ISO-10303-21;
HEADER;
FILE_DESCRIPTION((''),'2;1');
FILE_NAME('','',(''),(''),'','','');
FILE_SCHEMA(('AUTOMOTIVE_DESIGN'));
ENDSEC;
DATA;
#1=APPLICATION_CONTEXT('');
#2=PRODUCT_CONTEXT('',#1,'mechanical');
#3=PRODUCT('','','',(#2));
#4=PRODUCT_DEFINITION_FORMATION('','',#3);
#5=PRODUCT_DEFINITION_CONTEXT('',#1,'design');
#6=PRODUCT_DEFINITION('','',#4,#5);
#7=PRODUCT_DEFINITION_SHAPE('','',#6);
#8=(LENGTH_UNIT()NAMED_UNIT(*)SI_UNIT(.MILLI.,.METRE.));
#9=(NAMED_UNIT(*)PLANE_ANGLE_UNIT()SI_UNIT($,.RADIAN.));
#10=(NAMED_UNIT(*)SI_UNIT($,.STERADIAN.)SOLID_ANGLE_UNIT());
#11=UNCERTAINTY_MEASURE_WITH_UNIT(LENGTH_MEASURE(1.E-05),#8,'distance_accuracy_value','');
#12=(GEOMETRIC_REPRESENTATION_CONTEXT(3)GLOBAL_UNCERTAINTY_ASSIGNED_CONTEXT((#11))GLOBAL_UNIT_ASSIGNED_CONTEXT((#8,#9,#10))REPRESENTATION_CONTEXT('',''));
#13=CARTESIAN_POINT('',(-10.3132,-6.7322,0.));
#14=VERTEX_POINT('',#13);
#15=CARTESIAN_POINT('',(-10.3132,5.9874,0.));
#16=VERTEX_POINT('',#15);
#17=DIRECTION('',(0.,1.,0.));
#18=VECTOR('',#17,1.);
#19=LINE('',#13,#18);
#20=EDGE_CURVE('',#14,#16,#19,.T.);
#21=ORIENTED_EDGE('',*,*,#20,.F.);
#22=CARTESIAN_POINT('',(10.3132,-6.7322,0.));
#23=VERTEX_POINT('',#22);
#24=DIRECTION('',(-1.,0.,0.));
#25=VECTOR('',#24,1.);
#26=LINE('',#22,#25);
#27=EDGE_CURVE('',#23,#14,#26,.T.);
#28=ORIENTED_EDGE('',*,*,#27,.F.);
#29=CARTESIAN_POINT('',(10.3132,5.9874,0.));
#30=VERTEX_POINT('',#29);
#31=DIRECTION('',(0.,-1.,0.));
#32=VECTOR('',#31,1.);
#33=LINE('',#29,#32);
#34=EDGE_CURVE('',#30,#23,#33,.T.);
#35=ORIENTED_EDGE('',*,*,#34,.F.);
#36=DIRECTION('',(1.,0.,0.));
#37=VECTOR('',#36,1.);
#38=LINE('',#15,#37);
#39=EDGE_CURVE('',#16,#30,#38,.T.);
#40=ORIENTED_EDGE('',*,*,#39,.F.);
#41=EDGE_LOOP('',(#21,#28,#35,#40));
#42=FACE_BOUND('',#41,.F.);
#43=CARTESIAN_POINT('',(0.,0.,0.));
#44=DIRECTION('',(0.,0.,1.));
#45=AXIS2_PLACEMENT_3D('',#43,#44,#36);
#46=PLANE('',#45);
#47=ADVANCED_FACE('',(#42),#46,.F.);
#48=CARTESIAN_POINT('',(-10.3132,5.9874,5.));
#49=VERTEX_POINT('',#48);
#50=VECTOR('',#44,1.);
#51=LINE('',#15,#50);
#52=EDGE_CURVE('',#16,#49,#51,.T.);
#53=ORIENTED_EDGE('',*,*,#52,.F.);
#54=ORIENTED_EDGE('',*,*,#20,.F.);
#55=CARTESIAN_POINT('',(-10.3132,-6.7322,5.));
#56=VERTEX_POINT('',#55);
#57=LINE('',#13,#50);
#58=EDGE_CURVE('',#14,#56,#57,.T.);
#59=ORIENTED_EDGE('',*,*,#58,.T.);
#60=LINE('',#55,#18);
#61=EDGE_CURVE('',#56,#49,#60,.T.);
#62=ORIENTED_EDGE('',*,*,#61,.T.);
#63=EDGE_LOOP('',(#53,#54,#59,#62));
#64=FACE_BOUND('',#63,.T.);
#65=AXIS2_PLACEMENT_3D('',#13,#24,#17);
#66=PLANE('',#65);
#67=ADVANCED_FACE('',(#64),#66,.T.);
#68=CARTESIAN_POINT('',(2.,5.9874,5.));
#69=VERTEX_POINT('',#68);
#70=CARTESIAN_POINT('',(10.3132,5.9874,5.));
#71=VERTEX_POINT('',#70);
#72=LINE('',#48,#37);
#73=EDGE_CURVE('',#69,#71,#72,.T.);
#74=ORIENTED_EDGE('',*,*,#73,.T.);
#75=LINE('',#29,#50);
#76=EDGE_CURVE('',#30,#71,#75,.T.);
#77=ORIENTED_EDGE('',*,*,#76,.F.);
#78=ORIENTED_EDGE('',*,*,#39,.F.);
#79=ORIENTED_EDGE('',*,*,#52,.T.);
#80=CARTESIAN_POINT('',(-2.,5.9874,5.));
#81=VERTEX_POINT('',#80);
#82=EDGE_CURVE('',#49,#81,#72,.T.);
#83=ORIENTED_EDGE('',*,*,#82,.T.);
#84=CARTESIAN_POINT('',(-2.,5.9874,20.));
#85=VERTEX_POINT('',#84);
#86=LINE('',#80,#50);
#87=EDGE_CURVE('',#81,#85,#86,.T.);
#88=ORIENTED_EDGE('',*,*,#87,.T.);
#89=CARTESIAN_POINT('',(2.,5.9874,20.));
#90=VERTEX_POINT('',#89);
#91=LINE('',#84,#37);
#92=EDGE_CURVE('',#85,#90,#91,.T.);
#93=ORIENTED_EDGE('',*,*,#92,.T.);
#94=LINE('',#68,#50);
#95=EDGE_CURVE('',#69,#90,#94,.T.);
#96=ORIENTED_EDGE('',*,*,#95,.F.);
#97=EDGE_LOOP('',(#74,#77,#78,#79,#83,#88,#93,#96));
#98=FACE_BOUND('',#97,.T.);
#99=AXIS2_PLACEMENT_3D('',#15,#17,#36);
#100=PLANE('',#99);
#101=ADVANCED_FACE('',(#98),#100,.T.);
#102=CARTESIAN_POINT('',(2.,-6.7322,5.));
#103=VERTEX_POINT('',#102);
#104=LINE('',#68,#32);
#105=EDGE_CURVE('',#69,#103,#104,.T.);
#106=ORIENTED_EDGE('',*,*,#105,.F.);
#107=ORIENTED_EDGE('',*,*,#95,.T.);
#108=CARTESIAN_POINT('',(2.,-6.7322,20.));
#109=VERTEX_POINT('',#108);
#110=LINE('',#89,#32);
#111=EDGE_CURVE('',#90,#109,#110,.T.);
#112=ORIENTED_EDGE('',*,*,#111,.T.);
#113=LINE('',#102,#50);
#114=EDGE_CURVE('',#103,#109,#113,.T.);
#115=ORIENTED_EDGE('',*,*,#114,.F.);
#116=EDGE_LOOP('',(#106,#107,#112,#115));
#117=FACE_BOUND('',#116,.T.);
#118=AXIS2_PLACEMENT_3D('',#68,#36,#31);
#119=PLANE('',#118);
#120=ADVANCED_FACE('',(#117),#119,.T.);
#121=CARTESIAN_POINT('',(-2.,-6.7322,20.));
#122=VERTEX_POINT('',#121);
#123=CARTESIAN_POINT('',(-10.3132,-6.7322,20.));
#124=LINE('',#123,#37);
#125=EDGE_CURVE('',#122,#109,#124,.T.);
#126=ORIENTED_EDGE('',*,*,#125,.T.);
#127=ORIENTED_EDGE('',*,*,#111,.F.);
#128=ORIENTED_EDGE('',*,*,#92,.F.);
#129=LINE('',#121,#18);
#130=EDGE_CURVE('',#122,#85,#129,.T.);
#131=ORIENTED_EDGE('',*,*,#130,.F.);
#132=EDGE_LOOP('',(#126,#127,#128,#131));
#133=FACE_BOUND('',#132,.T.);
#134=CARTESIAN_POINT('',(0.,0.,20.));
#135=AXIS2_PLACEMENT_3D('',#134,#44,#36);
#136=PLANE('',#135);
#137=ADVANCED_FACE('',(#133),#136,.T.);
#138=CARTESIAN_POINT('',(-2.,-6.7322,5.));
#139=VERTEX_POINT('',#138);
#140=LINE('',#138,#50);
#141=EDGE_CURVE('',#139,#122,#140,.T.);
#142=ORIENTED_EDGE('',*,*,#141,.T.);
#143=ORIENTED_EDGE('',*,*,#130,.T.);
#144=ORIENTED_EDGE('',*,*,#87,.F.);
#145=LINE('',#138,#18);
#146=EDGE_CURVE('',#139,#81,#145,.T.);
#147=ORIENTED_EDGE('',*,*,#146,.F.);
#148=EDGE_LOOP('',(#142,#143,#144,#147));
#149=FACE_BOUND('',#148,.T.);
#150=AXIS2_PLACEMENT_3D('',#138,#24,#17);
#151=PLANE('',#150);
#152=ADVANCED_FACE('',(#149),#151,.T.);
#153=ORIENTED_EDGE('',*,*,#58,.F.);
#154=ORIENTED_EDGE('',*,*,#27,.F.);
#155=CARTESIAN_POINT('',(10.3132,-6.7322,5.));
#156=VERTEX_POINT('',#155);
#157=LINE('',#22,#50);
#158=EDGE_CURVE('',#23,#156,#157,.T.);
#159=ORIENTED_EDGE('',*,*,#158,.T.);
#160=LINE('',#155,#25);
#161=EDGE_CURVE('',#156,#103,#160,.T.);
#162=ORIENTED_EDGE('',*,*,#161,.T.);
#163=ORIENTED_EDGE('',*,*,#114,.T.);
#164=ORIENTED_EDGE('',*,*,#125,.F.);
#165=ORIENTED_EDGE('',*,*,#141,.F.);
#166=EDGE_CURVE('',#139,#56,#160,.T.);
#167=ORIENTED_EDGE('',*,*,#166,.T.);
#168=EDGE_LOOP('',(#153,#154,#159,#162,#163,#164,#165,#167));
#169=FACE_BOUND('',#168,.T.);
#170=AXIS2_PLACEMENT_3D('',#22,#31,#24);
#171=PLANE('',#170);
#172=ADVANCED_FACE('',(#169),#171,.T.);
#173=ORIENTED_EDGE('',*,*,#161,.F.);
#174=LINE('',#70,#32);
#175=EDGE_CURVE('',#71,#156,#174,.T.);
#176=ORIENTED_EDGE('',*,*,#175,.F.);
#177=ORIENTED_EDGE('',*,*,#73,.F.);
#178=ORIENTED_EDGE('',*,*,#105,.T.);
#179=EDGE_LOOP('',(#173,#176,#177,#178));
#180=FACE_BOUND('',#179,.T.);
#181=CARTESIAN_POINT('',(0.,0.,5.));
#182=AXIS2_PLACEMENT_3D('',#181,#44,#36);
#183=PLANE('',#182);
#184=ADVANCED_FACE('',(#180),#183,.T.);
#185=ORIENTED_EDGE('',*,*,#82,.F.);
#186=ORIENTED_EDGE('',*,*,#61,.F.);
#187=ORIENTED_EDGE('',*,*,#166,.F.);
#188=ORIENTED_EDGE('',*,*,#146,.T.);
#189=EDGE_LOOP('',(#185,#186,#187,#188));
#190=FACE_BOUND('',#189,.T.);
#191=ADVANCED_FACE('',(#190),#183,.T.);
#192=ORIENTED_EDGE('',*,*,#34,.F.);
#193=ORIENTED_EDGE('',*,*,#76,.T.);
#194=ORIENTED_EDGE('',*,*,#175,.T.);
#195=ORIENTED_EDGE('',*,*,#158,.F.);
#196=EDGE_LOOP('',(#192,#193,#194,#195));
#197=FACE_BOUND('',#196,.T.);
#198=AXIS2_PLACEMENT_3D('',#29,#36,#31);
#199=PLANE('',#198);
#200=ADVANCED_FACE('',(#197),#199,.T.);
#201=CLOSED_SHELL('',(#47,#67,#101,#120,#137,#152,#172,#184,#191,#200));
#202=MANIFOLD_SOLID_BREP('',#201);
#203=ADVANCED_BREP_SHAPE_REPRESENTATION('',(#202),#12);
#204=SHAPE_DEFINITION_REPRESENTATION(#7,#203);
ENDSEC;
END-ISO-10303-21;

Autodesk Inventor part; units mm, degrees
ref_plane "YZ Plane" through (0, 0, 0) normal (1, 0, 0) x (0, 1, 0)
ref_plane "XZ Plane" through (0, 0, 0) normal (0, 1, 0) x (-1, 0, 0)
ref_plane "XY Plane" through (0, 0, 0) normal (0, 0, 1) x (1, 0, 0)
sketch "Sketch1" plane through (0, 0, 0) normal (0, 0, 1) x (1, 0, 0)
  line L0 (-10.3132, 5.9874) -> (10.3132, 5.9874)
  line L1 (10.3132, 5.9874) -> (10.3132, -6.7322)
  line L2 (10.3132, -6.7322) -> (-10.3132, -6.7322)
  line L3 (-10.3132, -6.7322) -> (-10.3132, 5.9874)
  line L4 (-10.3132, 5.9874) -> (10.3132, -6.7322) construction
  line L5 (10.3132, 5.9874) -> (-10.3132, -6.7322) construction
  point P0 (0, 0)
  point P1 (0, -0.3724)
extrude "Extrusion1" add sketch "Sketch1" along normal blind 5
sketch "Sketch2" plane through (0, 0, 5) normal (0, 0, 1) x (1, 0, 0)
  line L0 (10.3132, 5.9874) -> (-10.3132, 5.9874) projected
  line L1 (-10.3132, -6.7322) -> (10.3132, -6.7322) projected
  line L2 (0, 5.9874) -> (2, 5.9874)
  line L3 (2, 5.9874) -> (2, -6.7322)
  line L4 (2, -6.7322) -> (-2, -6.7322)
  line L5 (-2, -6.7322) -> (-2, 5.9874)
  line L6 (0, 5.9874) -> (-2, 5.9874)
  dimension "d2" = 2
  dimension "d3" = 4
extrude "Extrusion2" add sketch "Sketch2" along normal blind 15
